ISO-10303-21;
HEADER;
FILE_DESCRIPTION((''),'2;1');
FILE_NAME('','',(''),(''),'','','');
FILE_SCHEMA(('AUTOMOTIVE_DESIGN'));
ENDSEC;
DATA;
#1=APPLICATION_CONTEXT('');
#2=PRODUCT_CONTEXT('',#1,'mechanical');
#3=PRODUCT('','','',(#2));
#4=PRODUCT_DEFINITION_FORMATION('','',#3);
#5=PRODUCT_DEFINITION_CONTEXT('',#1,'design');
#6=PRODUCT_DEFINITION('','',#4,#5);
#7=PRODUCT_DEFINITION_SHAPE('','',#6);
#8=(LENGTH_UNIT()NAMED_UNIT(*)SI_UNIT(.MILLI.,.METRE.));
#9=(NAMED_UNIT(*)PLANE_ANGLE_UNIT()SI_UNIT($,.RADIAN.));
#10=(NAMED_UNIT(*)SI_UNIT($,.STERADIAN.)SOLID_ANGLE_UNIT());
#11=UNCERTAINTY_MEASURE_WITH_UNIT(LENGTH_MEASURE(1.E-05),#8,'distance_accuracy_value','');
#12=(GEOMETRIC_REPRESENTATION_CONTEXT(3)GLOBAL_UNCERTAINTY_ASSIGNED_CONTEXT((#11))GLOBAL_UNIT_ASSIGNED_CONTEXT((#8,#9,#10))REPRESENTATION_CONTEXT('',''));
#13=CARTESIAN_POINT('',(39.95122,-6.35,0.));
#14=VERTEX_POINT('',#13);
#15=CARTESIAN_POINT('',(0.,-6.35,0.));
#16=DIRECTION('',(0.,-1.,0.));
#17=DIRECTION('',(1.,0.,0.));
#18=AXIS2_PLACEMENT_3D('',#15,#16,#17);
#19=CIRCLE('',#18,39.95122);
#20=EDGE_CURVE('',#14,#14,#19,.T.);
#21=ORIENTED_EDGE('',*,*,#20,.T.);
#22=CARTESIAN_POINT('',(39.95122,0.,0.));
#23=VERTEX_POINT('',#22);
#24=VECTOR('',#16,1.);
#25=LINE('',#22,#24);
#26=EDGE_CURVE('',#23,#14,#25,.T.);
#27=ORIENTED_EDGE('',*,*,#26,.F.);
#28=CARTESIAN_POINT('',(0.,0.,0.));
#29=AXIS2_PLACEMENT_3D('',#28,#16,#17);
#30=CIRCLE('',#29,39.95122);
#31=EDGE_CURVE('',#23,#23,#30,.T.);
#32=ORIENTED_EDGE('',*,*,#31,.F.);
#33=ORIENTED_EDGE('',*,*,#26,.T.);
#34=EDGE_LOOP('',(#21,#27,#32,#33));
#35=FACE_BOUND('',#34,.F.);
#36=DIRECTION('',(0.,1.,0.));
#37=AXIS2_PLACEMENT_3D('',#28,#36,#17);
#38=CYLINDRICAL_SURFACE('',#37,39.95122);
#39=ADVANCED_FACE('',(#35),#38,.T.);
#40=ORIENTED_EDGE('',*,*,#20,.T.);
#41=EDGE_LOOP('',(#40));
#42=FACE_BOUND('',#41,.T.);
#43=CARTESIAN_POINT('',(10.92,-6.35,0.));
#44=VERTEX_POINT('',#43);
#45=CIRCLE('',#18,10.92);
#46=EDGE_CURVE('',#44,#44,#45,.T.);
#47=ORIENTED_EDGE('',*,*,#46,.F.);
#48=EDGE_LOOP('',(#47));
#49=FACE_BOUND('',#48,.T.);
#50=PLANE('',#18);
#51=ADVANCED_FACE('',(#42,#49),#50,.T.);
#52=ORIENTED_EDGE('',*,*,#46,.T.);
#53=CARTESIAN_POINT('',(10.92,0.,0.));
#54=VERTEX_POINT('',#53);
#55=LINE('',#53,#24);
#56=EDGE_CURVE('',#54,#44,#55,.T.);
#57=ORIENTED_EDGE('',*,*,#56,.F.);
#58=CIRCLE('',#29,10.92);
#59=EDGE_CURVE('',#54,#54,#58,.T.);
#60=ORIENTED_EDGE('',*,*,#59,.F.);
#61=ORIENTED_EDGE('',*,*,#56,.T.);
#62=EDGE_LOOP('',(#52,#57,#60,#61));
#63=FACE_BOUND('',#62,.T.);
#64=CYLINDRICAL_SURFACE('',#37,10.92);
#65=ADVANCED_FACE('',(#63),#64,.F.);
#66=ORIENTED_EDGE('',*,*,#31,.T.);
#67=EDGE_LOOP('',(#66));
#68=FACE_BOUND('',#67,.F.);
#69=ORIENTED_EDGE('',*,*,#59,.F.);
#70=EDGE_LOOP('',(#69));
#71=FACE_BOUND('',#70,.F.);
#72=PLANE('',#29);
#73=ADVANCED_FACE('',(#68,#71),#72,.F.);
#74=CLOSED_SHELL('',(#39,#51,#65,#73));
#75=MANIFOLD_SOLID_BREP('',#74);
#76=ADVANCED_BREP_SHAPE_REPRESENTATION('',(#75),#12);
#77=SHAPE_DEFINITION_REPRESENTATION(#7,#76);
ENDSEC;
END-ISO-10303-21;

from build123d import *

# Parameters (mm, degrees)
F0_R     = 39.9512195122
F0_R_2   = 10.92
F1_DEPTH = 6.35


with BuildPart() as f1:
    # F0 (on Front) → F1 (new body)
    with BuildSketch(Plane.XZ):
        Circle(F0_R)
        with BuildLine():
            ThreePointArc((18.3109756098, -31.7155400923), (0, -36.6219512195), (-18.3109756098, -31.7155400923))
            Line((-18.3109756098, -31.7155400923), (-7.4172888628, -12.8471211647))
            ThreePointArc((-7.4172888628, -12.8471211647), (0, -14.8345777255), (7.4172888628, -12.8471211647))
            Line((7.4172888628, -12.8471211647), (18.3109756098, -31.7155400923))
        make_face(mode=Mode.SUBTRACT)
        with BuildLine():
            Line((-14.8345777255, 0), (-36.6219512195, 0))
            ThreePointArc((-36.6219512195, 0), (-31.7155400923, 18.3109756098), (-18.3109756098, 31.7155400923))
            Line((-18.3109756098, 31.7155400923), (-7.4172888628, 12.8471211647))
            ThreePointArc((-7.4172888628, 12.8471211647), (-12.8471211647, 7.4172888628), (-14.8345777255, 0))
        make_face(mode=Mode.SUBTRACT)
        Circle(F0_R_2, mode=Mode.SUBTRACT)
        with BuildLine():
            ThreePointArc((18.3109756098, 31.7155400923), (31.7155400923, 18.3109756098), (36.6219512195, 0))
            Line((36.6219512195, 0), (14.8345777255, 0))
            ThreePointArc((14.8345777255, 0), (12.8471211647, 7.4172888628), (7.4172888628, 12.8471211647))
            Line((7.4172888628, 12.8471211647), (18.3109756098, 31.7155400923))
        make_face(mode=Mode.SUBTRACT)
        with BuildLine():
            Line((14.8345777255, 0), (36.6219512195, 0))
            ThreePointArc((36.6219512195, 0), (31.7155400923, 18.3109756098), (18.3109756098, 31.7155400923))
            Line((18.3109756098, 31.7155400923), (7.4172888628, 12.8471211647))
            ThreePointArc((7.4172888628, 12.8471211647), (12.8471211647, 7.4172888628), (14.8345777255, 0))
        make_face()
        with BuildLine():
            Line((-7.4172888628, -12.8471211647), (-18.3109756098, -31.7155400923))
            ThreePointArc((-18.3109756098, -31.7155400923), (0, -36.6219512195), (18.3109756098, -31.7155400923))
            Line((18.3109756098, -31.7155400923), (7.4172888628, -12.8471211647))
            ThreePointArc((7.4172888628, -12.8471211647), (0, -14.8345777255), (-7.4172888628, -12.8471211647))
        make_face()
        with BuildLine():
            ThreePointArc((-18.3109756098, 31.7155400923), (-31.7155400923, 18.3109756098), (-36.6219512195, 0))
            Line((-36.6219512195, 0), (-14.8345777255, 0))
            ThreePointArc((-14.8345777255, 0), (-12.8471211647, 7.4172888628), (-7.4172888628, 12.8471211647))
            Line((-7.4172888628, 12.8471211647), (-18.3109756098, 31.7155400923))
        make_face()
    extrude(amount=F1_DEPTH)


solid = f1.part
